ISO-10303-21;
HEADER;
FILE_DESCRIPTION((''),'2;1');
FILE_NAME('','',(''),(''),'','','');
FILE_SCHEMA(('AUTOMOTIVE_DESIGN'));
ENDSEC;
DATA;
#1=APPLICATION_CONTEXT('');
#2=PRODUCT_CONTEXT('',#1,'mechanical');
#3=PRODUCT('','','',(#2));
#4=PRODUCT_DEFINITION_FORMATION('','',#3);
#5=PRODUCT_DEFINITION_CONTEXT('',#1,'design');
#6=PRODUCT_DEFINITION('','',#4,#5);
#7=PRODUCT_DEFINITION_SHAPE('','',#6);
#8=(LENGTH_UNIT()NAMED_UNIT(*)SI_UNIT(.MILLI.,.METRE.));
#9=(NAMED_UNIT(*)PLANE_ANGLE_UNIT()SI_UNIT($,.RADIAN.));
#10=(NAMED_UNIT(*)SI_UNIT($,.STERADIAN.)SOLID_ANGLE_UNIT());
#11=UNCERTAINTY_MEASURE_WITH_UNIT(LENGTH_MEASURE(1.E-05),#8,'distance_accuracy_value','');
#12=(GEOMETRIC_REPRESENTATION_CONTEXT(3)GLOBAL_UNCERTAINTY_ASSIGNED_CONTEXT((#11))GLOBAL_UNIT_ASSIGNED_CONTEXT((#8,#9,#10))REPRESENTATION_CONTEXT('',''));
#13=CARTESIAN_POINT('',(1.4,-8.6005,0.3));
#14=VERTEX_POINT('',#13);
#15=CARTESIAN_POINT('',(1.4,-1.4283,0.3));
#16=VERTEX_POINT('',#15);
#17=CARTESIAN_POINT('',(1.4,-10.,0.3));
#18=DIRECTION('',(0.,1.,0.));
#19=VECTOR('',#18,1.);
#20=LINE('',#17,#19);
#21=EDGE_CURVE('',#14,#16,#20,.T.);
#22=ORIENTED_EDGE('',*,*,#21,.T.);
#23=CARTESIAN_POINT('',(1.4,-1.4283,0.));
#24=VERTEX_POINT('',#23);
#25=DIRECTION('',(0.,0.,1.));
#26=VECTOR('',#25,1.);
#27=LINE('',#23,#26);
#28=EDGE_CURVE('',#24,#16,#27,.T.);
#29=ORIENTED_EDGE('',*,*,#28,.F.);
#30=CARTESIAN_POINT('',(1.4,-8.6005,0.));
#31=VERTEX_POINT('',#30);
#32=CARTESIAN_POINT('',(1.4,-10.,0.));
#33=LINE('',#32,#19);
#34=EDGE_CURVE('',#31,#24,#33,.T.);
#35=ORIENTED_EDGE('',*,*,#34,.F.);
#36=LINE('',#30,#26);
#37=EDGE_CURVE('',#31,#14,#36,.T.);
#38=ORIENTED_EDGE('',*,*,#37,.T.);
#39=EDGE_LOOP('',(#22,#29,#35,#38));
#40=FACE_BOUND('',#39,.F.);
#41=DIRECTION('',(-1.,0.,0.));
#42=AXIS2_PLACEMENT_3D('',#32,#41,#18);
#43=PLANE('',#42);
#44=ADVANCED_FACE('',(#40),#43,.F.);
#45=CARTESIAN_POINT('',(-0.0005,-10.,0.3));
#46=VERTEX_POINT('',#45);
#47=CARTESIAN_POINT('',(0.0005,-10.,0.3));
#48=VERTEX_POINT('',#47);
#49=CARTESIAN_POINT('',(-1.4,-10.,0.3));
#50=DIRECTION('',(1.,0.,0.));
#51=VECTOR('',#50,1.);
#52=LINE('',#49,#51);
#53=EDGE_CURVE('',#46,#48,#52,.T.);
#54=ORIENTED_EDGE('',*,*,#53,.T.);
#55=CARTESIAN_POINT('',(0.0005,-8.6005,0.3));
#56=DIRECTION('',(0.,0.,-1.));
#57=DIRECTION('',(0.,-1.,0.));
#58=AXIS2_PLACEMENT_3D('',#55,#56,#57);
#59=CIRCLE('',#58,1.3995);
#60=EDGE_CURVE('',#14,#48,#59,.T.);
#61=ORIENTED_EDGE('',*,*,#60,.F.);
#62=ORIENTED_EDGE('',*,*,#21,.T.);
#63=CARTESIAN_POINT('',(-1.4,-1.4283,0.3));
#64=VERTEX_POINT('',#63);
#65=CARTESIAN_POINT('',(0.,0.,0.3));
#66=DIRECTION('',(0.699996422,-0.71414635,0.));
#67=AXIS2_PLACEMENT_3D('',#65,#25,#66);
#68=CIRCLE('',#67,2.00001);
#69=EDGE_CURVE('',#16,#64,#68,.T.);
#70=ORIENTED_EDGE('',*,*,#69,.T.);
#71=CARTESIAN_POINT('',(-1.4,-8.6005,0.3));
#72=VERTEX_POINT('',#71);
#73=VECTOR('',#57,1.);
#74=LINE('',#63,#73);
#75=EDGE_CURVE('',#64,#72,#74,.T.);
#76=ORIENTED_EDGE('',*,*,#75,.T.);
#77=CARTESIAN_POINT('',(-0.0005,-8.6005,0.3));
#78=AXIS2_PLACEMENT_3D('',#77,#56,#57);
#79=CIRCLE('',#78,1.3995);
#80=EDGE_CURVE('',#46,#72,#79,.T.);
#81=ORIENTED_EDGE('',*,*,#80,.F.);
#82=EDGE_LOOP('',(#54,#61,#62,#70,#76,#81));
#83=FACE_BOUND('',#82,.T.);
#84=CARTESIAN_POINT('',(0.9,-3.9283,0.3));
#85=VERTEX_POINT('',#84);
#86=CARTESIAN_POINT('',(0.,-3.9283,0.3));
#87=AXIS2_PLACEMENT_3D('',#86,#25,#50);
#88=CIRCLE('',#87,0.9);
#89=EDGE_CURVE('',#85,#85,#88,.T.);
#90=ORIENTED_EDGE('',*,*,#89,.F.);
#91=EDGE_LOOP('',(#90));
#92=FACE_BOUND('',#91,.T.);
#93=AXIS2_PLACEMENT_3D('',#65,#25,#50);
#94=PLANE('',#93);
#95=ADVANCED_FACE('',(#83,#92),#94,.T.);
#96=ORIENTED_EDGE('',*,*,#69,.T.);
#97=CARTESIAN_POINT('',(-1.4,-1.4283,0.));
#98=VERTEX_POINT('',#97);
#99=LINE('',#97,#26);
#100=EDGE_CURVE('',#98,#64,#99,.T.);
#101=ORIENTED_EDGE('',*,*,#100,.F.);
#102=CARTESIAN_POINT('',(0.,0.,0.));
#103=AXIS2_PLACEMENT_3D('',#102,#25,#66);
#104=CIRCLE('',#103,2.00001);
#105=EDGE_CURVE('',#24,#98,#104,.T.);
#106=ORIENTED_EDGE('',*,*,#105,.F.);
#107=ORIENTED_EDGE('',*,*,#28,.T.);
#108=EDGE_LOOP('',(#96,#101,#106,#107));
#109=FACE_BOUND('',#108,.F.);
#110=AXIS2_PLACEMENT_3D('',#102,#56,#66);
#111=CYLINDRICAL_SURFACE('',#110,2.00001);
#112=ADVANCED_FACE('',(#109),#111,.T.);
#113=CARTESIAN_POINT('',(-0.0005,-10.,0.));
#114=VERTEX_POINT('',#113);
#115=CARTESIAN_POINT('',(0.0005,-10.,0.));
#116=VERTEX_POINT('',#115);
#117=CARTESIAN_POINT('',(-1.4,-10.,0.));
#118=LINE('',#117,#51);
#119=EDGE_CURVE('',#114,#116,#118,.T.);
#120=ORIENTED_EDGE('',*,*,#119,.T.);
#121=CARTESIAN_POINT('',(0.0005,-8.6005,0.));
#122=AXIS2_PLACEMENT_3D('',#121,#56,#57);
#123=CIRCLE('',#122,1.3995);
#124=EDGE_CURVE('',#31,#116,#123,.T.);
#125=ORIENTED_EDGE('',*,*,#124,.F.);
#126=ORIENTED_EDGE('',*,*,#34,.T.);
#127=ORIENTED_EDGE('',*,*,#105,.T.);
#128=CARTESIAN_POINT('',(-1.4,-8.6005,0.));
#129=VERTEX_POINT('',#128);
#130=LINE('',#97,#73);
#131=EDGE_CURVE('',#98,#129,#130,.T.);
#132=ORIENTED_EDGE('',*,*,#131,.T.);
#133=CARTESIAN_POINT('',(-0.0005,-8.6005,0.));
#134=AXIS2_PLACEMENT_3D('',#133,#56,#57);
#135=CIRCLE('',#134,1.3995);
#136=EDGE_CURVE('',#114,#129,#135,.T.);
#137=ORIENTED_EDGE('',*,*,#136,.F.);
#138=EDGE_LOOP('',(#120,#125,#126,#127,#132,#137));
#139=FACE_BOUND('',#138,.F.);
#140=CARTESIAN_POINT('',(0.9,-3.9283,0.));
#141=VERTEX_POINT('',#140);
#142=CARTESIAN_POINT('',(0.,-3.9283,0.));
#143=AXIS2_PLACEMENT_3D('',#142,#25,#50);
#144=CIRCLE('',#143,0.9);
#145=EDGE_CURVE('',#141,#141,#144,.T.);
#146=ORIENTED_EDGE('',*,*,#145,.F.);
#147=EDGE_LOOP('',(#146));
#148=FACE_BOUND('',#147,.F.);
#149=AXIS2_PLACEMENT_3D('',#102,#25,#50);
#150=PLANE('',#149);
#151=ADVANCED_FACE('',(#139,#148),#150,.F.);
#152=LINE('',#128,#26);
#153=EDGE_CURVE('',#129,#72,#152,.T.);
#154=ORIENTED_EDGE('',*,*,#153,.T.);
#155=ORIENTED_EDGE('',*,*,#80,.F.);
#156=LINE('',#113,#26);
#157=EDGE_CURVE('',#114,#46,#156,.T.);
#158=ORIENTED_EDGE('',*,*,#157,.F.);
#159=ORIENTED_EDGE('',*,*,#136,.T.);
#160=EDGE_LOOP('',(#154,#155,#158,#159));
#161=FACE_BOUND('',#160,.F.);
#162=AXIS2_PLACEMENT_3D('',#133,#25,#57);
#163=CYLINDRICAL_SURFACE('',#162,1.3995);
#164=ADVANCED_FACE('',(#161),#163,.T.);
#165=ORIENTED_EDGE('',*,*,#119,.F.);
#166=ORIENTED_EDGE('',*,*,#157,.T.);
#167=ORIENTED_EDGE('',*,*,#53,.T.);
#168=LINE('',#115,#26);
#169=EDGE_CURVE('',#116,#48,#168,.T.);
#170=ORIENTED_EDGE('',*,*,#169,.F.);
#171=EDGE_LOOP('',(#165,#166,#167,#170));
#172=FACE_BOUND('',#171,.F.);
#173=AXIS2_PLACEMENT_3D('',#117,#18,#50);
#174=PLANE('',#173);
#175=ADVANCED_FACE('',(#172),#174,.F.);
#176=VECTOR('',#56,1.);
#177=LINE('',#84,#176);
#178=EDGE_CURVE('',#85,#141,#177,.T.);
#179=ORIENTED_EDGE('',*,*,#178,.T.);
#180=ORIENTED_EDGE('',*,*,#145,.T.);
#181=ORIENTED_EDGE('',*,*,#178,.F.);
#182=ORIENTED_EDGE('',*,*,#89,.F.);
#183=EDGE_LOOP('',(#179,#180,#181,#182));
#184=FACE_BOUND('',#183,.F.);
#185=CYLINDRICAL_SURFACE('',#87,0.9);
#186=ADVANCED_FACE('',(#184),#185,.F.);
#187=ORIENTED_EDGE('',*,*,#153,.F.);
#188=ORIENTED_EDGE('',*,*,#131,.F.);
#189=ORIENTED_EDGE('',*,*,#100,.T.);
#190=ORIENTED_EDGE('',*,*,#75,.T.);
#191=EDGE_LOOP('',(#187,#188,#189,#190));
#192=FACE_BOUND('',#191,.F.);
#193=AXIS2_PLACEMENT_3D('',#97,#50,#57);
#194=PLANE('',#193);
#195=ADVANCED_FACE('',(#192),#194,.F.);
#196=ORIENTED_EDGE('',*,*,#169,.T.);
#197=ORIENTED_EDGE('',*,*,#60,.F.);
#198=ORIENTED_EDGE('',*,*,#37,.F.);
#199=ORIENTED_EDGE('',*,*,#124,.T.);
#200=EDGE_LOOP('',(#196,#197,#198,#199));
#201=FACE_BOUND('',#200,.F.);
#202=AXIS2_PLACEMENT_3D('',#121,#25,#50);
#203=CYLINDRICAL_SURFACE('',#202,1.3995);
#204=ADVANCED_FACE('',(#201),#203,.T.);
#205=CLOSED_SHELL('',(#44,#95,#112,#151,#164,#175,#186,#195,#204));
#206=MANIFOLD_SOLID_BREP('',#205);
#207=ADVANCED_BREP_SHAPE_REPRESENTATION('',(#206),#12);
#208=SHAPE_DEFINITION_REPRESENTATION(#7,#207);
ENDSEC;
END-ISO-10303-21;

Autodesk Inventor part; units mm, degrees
ref_plane "YZ Plane" through (0, 0, 0) normal (1, 0, 0) x (0, 1, 0)
ref_plane "XZ Plane" through (0, 0, 0) normal (0, 1, 0) x (-1, 0, 0)
ref_plane "XY Plane" through (0, 0, 0) normal (0, 0, 1) x (1, 0, 0)
sketch "Sketch1" plane through (0, 0, 0) normal (0, 0, 1) x (1, 0, 0)
  arc A0 (1.4, -1.4283) -> (-1.4, -1.4283) centre (0, 0) ccw
  line L0 (-1.4, -1.4283) -> (-1.4, -10)
  line L1 (-1.4, -10) -> (1.4, -10)
  line L2 (1.4, -10) -> (1.4, -1.4283)
  point P0 (0, -10)
  dimension "d0" = 4
  dimension "d1" = 2.8
  dimension "d2" = 12
extrude "Extrusion1" add sketch "Sketch1" along normal blind 0.3
fillet "Fillet1" radius 1.4 2 edges at (1.4, -10, 0.15) (-1.4, -10, 0.15)
sketch "Sketch2" plane through (0, 0, 0.3) normal (0, 0, 1) x (1, 0, 0)
  circle A0 centre (0, -3.9283) radius 0.9
  point P0 (1.4, -1.4283)
  dimension "d6" = 1.8
  dimension "d7" = 2.5
extrude "Extrusion2" cut sketch "Sketch2" against normal through all
properties material "Brass, Soft Yellow"
